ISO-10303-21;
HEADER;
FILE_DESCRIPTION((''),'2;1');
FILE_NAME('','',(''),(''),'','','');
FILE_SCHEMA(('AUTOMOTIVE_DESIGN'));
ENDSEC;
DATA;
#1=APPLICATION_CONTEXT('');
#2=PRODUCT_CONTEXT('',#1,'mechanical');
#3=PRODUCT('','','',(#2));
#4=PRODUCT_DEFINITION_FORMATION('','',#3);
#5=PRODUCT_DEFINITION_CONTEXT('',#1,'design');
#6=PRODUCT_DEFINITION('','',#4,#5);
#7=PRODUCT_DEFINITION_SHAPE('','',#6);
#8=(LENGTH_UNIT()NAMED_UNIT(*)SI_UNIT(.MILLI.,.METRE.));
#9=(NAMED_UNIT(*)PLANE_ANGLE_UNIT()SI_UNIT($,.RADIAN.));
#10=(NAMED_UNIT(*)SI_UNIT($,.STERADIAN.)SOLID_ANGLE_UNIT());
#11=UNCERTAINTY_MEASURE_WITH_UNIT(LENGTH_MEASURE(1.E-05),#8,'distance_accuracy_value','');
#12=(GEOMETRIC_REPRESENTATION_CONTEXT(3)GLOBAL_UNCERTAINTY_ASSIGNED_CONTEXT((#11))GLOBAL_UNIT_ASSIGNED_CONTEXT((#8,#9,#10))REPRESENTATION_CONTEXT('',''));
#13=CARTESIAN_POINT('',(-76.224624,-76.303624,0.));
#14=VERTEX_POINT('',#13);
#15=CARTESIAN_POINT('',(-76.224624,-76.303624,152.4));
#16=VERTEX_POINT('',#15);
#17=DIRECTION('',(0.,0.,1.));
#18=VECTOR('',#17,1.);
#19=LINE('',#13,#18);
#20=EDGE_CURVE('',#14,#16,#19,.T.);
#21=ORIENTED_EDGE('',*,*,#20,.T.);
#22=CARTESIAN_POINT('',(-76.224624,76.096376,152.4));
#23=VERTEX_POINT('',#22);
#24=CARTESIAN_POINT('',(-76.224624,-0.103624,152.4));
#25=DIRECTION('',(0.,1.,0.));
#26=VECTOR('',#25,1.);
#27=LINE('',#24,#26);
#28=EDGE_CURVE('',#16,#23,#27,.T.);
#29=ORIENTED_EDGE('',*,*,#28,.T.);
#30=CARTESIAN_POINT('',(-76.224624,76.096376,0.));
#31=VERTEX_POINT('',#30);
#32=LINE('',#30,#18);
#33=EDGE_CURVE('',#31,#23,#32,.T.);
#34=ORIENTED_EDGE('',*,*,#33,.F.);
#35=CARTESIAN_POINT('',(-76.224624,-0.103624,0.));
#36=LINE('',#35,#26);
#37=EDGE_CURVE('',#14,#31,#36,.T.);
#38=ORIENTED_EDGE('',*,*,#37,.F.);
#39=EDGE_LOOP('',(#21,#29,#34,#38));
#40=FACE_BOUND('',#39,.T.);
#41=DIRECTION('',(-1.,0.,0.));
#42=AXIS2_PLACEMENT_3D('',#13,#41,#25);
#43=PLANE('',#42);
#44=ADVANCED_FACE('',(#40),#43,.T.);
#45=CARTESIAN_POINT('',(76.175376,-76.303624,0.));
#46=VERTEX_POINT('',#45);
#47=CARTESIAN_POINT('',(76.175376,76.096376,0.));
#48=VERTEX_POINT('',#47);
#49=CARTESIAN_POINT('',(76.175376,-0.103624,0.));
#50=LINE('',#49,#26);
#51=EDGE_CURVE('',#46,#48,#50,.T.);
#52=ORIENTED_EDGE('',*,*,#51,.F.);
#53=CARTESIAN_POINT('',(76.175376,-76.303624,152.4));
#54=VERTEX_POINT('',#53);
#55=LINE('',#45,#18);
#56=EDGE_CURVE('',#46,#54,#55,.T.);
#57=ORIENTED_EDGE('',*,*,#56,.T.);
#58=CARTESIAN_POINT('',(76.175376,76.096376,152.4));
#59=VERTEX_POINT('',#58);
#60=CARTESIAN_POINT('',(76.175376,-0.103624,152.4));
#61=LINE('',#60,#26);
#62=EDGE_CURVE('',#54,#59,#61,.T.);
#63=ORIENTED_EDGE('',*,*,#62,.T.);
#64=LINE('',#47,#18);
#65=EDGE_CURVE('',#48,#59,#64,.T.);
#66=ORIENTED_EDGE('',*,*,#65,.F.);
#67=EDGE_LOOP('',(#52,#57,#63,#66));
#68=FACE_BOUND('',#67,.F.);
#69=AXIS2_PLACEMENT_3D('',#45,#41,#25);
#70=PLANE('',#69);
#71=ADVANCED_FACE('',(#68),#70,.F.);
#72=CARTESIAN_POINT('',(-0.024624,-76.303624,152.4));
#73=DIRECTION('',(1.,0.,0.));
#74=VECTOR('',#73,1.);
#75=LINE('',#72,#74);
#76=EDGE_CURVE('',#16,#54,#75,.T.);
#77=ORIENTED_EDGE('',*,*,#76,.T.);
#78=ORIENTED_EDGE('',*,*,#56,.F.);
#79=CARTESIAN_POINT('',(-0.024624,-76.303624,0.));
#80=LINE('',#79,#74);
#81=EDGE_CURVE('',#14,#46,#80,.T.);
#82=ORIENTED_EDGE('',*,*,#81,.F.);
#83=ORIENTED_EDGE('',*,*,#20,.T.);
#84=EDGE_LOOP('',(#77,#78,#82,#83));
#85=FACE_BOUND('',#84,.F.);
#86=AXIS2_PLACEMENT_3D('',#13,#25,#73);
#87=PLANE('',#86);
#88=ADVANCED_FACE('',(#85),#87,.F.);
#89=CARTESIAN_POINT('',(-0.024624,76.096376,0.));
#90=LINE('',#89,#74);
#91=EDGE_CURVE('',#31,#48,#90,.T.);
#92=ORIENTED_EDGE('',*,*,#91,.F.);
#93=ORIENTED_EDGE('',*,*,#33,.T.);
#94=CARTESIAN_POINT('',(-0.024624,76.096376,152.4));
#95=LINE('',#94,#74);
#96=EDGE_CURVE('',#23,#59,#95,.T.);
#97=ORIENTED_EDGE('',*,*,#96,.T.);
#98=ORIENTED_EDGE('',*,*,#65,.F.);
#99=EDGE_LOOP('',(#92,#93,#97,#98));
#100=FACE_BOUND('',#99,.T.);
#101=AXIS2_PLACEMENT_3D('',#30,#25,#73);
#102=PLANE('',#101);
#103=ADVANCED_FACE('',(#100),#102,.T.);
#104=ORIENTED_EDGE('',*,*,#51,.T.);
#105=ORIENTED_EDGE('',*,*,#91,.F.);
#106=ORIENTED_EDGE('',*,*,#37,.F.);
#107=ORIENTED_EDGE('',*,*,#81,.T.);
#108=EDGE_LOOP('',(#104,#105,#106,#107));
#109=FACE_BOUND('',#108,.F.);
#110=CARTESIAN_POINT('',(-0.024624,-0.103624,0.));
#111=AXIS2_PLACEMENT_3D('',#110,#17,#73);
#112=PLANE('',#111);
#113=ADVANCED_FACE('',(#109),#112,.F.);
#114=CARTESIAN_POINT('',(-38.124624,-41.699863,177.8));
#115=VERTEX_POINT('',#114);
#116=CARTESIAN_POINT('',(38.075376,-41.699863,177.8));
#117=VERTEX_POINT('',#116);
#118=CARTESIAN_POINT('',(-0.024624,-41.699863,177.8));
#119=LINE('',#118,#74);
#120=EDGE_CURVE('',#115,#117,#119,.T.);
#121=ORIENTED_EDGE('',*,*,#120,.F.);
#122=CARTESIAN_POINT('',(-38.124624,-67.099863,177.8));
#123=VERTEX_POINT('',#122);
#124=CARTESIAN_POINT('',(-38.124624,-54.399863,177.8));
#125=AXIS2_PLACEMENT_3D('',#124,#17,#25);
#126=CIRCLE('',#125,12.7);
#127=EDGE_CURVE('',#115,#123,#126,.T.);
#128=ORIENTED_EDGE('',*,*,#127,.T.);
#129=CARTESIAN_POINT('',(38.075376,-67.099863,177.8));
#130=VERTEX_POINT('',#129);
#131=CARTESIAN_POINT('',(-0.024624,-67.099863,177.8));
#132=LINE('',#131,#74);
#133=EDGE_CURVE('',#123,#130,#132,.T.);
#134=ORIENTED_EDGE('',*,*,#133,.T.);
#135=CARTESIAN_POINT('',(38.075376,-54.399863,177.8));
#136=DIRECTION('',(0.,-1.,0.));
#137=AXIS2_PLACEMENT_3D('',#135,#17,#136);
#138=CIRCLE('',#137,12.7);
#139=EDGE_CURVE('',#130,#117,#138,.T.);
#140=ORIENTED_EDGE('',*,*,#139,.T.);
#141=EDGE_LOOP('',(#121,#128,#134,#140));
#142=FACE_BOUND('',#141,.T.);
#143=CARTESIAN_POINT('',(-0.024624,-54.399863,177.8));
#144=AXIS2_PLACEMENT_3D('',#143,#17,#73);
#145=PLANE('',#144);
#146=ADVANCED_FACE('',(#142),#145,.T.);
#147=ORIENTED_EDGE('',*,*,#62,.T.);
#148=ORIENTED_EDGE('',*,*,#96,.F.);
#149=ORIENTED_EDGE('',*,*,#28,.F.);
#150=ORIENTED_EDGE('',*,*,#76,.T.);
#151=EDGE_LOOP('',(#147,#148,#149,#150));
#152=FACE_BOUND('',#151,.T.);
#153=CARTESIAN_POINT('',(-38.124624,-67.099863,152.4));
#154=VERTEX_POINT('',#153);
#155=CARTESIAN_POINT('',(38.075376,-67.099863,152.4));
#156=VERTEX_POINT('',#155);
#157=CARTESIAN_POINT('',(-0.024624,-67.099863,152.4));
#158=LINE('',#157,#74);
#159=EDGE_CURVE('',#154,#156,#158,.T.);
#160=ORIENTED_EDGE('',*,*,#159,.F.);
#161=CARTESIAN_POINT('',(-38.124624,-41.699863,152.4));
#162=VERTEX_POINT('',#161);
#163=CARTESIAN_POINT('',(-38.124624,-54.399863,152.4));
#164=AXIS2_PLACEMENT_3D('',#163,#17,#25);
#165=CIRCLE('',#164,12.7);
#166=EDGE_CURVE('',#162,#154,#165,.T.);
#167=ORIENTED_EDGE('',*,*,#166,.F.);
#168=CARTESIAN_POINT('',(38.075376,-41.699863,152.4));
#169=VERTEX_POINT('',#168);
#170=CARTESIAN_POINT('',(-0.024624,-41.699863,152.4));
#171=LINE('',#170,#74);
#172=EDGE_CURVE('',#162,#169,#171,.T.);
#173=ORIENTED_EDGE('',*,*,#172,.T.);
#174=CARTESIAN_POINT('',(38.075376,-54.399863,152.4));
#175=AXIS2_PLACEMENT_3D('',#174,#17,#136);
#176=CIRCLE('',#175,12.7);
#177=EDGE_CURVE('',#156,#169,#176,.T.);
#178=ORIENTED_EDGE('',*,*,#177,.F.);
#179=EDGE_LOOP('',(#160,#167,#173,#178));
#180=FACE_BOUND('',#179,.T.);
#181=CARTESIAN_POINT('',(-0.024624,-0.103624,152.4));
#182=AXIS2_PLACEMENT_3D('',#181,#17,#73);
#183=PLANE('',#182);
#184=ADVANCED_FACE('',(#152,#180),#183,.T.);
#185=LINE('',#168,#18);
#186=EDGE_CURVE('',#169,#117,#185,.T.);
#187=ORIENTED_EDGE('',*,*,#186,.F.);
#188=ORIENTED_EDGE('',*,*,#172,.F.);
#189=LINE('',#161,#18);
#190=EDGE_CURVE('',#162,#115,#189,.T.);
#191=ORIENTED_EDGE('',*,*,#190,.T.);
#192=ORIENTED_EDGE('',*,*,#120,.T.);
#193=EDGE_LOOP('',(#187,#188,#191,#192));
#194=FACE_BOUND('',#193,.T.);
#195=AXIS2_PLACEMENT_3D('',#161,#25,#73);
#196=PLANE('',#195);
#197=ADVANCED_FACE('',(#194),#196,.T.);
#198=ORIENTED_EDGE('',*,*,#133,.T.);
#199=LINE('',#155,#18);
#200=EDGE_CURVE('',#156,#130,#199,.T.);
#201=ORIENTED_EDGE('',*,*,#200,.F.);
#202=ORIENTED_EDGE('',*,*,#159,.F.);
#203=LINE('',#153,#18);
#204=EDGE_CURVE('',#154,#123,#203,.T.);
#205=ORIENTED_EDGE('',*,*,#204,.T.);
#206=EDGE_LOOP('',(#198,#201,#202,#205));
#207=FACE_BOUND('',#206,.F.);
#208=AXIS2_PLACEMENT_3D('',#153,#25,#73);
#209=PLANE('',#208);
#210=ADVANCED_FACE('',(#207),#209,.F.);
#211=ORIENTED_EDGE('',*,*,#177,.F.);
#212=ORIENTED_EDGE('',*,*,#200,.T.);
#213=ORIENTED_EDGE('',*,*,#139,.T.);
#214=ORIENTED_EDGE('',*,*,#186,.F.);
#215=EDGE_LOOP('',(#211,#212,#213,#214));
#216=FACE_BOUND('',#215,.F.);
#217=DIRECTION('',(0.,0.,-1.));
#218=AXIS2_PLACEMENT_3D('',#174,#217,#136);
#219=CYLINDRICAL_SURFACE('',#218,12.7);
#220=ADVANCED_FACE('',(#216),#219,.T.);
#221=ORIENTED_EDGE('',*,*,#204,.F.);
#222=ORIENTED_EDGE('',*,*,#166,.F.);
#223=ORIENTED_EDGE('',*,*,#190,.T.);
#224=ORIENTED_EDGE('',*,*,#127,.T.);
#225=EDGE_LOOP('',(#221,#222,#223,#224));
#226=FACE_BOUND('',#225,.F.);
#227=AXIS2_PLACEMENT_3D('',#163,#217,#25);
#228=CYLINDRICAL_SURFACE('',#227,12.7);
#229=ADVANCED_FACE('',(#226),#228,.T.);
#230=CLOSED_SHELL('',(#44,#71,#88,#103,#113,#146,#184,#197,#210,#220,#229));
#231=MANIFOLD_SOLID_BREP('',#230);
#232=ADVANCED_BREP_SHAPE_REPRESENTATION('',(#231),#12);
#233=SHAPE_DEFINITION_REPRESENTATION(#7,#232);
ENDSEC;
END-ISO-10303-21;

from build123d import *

# Parameters (mm, degrees)
F0_W     = 152.4
F0_H     = 152.4
F1_DEPTH = 152.4
F3_W     = 76.2
F3_H     = 25.4
F4_DEPTH = 25.4


with BuildPart() as f1:
    # F0 (on Top) → F1 (new body)
    with BuildSketch(Plane.XY):
        with Locations((-0.024624, -0.103624)):
            Rectangle(F0_W, F0_H)
    extrude(amount=F1_DEPTH)

    # F3 (on face) → F4 (join)
    with BuildSketch(Plane.XY.offset(152.4)):
        with Locations((-0.024624, -54.399863)):
            Rectangle(F3_W, F3_H)
        with BuildLine():
            ThreePointArc((-38.124624, -41.699863), (-50.824624, -54.399863), (-38.124624, -67.099863))
            Line((-38.124624, -67.099863), (-38.124624, -41.699863))
        make_face()
        with BuildLine():
            Line((38.075376, -41.699863), (38.075376, -67.099863))
            ThreePointArc((38.075376, -67.099863), (50.775376, -54.399863), (38.075376, -41.699863))
        make_face()
    extrude(amount=F4_DEPTH)


solid = f1.part
